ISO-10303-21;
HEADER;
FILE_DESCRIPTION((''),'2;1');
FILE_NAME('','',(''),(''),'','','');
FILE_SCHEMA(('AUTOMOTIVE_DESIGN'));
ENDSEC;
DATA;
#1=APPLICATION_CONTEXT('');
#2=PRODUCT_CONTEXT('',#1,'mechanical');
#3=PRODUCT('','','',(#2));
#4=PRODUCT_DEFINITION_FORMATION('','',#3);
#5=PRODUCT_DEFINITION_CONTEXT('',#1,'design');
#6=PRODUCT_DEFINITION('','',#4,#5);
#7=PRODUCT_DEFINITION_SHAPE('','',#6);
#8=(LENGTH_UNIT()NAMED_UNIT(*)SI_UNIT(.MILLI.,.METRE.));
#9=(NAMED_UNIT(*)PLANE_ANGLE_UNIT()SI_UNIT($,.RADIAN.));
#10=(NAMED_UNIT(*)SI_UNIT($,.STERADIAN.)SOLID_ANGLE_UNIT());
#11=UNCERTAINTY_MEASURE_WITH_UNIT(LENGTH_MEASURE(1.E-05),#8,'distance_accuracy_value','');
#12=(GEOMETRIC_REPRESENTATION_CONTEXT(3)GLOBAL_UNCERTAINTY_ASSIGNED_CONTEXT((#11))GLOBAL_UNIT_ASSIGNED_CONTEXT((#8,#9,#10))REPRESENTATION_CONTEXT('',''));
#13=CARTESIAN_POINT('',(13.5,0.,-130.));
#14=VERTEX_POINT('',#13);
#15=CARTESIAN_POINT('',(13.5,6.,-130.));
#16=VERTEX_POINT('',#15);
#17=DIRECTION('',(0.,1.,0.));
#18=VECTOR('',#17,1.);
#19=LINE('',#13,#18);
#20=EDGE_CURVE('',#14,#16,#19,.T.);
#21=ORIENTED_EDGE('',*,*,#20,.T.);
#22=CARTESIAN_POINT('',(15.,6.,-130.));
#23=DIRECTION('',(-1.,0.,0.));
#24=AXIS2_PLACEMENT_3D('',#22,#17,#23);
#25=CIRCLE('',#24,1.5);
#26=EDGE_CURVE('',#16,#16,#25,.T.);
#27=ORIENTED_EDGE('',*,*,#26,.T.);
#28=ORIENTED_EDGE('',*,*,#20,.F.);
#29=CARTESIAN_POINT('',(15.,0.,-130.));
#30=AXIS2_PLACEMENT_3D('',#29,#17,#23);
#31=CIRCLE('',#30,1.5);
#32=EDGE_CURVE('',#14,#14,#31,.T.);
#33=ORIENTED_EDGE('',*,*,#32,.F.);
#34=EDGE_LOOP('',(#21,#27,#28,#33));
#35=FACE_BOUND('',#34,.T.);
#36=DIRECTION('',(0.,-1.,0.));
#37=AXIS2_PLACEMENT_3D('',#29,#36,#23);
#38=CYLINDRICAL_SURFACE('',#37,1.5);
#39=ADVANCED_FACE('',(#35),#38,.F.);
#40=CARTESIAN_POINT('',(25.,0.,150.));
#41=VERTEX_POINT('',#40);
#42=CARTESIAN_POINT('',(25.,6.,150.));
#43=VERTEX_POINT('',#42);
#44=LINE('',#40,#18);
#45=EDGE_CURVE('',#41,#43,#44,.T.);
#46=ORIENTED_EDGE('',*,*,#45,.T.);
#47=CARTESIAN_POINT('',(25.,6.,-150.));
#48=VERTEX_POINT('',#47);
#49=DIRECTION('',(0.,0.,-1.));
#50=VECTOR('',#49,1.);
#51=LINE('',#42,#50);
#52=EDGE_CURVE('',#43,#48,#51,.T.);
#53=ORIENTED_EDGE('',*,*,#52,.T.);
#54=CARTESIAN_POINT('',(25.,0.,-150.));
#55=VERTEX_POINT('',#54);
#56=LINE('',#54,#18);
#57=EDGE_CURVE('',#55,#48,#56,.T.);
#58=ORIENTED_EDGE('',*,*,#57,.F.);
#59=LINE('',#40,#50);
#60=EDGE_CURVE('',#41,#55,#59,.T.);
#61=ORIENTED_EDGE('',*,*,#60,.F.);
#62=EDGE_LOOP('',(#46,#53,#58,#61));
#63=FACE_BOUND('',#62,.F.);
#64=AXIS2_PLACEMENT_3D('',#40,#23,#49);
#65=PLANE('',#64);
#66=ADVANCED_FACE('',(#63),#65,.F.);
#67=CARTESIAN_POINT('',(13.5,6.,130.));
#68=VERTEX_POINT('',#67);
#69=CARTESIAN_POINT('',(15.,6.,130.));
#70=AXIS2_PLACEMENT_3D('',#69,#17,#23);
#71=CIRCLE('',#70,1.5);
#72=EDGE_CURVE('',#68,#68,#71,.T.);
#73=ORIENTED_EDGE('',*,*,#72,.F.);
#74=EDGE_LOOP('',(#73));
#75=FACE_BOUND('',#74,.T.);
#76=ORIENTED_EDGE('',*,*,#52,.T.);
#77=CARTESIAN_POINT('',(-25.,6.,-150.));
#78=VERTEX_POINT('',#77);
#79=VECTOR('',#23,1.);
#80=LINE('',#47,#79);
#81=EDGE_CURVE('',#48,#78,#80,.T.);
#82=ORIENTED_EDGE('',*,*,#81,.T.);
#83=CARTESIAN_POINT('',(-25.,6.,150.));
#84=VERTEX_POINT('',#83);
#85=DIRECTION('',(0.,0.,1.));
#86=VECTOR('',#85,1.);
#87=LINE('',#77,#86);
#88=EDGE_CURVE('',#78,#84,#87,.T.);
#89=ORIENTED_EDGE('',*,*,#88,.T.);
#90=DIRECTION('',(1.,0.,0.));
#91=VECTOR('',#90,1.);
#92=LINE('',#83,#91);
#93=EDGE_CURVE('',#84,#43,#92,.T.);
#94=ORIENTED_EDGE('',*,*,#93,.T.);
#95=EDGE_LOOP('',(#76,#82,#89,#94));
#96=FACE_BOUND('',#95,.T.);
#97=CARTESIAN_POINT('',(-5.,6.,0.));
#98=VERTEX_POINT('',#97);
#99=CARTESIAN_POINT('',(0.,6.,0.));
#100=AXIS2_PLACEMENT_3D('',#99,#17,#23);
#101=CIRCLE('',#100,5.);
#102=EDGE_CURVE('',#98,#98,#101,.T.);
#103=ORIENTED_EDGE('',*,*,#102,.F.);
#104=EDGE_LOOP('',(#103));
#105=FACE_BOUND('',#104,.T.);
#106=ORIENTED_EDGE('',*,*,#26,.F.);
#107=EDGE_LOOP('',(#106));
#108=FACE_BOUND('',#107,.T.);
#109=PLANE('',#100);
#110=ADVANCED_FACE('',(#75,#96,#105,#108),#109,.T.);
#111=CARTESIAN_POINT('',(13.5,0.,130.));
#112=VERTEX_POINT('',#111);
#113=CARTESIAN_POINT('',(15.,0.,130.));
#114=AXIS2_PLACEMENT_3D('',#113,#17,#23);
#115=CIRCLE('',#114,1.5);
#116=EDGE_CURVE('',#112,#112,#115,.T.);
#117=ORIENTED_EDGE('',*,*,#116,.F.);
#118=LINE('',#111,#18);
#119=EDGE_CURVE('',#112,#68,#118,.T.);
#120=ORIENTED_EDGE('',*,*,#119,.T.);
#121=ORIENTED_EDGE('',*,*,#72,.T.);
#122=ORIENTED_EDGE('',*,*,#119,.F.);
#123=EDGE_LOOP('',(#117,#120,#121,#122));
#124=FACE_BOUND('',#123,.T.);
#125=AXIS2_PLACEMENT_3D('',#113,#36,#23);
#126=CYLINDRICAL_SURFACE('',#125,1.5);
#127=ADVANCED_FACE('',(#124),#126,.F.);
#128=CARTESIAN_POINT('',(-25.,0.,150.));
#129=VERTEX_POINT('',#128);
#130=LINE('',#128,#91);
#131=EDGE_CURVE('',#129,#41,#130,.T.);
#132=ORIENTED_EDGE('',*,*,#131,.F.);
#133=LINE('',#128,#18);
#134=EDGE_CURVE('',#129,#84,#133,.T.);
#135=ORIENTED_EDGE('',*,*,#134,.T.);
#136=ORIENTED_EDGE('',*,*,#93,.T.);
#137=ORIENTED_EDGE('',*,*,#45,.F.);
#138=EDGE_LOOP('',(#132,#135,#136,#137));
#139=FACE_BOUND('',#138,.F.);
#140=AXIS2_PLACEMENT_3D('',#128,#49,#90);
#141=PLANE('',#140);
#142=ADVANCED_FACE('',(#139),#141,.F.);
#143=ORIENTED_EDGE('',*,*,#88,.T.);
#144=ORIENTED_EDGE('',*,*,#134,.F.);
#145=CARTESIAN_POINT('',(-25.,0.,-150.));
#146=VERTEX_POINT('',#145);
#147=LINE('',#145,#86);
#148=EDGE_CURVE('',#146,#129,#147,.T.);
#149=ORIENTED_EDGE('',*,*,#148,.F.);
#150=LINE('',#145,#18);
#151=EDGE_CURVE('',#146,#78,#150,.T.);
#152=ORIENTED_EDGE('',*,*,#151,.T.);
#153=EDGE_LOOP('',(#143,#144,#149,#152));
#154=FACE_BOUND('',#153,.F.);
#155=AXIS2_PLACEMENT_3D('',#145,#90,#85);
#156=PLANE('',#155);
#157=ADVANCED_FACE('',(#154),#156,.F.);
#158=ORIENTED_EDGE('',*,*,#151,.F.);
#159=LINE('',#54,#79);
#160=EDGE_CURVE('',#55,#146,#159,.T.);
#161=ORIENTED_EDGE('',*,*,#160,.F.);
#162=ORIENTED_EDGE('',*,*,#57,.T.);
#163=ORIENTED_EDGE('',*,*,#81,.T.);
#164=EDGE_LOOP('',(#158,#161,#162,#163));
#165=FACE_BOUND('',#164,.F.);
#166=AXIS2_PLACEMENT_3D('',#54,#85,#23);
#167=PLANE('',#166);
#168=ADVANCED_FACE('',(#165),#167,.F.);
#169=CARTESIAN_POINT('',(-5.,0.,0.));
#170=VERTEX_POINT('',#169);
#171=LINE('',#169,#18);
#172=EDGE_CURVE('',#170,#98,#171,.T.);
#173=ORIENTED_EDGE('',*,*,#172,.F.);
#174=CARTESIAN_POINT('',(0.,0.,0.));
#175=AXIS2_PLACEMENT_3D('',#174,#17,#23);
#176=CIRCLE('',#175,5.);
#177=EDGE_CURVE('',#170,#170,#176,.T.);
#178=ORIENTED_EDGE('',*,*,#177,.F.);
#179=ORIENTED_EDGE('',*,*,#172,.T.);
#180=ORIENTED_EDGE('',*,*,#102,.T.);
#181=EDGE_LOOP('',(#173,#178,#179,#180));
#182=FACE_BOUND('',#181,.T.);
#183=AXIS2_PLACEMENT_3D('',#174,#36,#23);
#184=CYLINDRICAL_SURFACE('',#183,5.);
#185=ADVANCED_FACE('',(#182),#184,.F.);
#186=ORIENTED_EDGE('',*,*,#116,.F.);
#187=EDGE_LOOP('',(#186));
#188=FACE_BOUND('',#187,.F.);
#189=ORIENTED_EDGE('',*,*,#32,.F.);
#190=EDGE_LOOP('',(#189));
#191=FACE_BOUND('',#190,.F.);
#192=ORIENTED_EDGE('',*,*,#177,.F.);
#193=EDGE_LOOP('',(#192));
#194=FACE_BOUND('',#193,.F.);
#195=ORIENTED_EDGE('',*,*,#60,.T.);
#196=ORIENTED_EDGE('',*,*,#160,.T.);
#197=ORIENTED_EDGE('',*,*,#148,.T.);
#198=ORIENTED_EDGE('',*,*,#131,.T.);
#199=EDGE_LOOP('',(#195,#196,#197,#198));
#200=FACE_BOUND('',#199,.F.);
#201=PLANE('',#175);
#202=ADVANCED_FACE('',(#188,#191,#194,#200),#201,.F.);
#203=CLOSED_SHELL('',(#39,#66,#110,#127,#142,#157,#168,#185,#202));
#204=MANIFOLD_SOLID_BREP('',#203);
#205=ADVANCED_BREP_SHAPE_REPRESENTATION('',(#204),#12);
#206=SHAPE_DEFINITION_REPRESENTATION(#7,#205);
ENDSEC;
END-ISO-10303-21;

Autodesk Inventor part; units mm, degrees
ref_plane "YZ Plane" through (0, 0, 0) normal (1, 0, 0) x (0, 1, 0)
ref_plane "XZ Plane" through (0, 0, 0) normal (0, 1, 0) x (-1, 0, 0)
ref_plane "XY Plane" through (0, 0, 0) normal (0, 0, 1) x (1, 0, 0)
sketch "Sketch1" plane through (0, 0, 0) normal (0, 1, 0) x (-1, 0, 0)
  circle A0 centre (0, 0) radius 5
  line L0 (25, 150) -> (-25, 150)
  line L1 (-25, 150) -> (-25, -150)
  line L2 (-25, -150) -> (25, -150)
  line L3 (25, -150) -> (25, 150)
  line L4 (25, 150) -> (-25, -150) construction
  line L5 (-25, 150) -> (25, -150) construction
  circle A1 centre (-15, 130) radius 1.5
  circle A2 centre (-15, -130) radius 1.5
  dimension "d0" = 10
  dimension "d6" = 50
  dimension "d7" = 300
  dimension "d15" = 3
  dimension "d16" = 10
  dimension "d17" = 3
  dimension "d20" = 20
  dimension "d21" = 20
extrude "Extrusion2" add sketch "Sketch1" along normal blind 6
equation "\"d21\" = d20"
properties part number "Estabilizador"
